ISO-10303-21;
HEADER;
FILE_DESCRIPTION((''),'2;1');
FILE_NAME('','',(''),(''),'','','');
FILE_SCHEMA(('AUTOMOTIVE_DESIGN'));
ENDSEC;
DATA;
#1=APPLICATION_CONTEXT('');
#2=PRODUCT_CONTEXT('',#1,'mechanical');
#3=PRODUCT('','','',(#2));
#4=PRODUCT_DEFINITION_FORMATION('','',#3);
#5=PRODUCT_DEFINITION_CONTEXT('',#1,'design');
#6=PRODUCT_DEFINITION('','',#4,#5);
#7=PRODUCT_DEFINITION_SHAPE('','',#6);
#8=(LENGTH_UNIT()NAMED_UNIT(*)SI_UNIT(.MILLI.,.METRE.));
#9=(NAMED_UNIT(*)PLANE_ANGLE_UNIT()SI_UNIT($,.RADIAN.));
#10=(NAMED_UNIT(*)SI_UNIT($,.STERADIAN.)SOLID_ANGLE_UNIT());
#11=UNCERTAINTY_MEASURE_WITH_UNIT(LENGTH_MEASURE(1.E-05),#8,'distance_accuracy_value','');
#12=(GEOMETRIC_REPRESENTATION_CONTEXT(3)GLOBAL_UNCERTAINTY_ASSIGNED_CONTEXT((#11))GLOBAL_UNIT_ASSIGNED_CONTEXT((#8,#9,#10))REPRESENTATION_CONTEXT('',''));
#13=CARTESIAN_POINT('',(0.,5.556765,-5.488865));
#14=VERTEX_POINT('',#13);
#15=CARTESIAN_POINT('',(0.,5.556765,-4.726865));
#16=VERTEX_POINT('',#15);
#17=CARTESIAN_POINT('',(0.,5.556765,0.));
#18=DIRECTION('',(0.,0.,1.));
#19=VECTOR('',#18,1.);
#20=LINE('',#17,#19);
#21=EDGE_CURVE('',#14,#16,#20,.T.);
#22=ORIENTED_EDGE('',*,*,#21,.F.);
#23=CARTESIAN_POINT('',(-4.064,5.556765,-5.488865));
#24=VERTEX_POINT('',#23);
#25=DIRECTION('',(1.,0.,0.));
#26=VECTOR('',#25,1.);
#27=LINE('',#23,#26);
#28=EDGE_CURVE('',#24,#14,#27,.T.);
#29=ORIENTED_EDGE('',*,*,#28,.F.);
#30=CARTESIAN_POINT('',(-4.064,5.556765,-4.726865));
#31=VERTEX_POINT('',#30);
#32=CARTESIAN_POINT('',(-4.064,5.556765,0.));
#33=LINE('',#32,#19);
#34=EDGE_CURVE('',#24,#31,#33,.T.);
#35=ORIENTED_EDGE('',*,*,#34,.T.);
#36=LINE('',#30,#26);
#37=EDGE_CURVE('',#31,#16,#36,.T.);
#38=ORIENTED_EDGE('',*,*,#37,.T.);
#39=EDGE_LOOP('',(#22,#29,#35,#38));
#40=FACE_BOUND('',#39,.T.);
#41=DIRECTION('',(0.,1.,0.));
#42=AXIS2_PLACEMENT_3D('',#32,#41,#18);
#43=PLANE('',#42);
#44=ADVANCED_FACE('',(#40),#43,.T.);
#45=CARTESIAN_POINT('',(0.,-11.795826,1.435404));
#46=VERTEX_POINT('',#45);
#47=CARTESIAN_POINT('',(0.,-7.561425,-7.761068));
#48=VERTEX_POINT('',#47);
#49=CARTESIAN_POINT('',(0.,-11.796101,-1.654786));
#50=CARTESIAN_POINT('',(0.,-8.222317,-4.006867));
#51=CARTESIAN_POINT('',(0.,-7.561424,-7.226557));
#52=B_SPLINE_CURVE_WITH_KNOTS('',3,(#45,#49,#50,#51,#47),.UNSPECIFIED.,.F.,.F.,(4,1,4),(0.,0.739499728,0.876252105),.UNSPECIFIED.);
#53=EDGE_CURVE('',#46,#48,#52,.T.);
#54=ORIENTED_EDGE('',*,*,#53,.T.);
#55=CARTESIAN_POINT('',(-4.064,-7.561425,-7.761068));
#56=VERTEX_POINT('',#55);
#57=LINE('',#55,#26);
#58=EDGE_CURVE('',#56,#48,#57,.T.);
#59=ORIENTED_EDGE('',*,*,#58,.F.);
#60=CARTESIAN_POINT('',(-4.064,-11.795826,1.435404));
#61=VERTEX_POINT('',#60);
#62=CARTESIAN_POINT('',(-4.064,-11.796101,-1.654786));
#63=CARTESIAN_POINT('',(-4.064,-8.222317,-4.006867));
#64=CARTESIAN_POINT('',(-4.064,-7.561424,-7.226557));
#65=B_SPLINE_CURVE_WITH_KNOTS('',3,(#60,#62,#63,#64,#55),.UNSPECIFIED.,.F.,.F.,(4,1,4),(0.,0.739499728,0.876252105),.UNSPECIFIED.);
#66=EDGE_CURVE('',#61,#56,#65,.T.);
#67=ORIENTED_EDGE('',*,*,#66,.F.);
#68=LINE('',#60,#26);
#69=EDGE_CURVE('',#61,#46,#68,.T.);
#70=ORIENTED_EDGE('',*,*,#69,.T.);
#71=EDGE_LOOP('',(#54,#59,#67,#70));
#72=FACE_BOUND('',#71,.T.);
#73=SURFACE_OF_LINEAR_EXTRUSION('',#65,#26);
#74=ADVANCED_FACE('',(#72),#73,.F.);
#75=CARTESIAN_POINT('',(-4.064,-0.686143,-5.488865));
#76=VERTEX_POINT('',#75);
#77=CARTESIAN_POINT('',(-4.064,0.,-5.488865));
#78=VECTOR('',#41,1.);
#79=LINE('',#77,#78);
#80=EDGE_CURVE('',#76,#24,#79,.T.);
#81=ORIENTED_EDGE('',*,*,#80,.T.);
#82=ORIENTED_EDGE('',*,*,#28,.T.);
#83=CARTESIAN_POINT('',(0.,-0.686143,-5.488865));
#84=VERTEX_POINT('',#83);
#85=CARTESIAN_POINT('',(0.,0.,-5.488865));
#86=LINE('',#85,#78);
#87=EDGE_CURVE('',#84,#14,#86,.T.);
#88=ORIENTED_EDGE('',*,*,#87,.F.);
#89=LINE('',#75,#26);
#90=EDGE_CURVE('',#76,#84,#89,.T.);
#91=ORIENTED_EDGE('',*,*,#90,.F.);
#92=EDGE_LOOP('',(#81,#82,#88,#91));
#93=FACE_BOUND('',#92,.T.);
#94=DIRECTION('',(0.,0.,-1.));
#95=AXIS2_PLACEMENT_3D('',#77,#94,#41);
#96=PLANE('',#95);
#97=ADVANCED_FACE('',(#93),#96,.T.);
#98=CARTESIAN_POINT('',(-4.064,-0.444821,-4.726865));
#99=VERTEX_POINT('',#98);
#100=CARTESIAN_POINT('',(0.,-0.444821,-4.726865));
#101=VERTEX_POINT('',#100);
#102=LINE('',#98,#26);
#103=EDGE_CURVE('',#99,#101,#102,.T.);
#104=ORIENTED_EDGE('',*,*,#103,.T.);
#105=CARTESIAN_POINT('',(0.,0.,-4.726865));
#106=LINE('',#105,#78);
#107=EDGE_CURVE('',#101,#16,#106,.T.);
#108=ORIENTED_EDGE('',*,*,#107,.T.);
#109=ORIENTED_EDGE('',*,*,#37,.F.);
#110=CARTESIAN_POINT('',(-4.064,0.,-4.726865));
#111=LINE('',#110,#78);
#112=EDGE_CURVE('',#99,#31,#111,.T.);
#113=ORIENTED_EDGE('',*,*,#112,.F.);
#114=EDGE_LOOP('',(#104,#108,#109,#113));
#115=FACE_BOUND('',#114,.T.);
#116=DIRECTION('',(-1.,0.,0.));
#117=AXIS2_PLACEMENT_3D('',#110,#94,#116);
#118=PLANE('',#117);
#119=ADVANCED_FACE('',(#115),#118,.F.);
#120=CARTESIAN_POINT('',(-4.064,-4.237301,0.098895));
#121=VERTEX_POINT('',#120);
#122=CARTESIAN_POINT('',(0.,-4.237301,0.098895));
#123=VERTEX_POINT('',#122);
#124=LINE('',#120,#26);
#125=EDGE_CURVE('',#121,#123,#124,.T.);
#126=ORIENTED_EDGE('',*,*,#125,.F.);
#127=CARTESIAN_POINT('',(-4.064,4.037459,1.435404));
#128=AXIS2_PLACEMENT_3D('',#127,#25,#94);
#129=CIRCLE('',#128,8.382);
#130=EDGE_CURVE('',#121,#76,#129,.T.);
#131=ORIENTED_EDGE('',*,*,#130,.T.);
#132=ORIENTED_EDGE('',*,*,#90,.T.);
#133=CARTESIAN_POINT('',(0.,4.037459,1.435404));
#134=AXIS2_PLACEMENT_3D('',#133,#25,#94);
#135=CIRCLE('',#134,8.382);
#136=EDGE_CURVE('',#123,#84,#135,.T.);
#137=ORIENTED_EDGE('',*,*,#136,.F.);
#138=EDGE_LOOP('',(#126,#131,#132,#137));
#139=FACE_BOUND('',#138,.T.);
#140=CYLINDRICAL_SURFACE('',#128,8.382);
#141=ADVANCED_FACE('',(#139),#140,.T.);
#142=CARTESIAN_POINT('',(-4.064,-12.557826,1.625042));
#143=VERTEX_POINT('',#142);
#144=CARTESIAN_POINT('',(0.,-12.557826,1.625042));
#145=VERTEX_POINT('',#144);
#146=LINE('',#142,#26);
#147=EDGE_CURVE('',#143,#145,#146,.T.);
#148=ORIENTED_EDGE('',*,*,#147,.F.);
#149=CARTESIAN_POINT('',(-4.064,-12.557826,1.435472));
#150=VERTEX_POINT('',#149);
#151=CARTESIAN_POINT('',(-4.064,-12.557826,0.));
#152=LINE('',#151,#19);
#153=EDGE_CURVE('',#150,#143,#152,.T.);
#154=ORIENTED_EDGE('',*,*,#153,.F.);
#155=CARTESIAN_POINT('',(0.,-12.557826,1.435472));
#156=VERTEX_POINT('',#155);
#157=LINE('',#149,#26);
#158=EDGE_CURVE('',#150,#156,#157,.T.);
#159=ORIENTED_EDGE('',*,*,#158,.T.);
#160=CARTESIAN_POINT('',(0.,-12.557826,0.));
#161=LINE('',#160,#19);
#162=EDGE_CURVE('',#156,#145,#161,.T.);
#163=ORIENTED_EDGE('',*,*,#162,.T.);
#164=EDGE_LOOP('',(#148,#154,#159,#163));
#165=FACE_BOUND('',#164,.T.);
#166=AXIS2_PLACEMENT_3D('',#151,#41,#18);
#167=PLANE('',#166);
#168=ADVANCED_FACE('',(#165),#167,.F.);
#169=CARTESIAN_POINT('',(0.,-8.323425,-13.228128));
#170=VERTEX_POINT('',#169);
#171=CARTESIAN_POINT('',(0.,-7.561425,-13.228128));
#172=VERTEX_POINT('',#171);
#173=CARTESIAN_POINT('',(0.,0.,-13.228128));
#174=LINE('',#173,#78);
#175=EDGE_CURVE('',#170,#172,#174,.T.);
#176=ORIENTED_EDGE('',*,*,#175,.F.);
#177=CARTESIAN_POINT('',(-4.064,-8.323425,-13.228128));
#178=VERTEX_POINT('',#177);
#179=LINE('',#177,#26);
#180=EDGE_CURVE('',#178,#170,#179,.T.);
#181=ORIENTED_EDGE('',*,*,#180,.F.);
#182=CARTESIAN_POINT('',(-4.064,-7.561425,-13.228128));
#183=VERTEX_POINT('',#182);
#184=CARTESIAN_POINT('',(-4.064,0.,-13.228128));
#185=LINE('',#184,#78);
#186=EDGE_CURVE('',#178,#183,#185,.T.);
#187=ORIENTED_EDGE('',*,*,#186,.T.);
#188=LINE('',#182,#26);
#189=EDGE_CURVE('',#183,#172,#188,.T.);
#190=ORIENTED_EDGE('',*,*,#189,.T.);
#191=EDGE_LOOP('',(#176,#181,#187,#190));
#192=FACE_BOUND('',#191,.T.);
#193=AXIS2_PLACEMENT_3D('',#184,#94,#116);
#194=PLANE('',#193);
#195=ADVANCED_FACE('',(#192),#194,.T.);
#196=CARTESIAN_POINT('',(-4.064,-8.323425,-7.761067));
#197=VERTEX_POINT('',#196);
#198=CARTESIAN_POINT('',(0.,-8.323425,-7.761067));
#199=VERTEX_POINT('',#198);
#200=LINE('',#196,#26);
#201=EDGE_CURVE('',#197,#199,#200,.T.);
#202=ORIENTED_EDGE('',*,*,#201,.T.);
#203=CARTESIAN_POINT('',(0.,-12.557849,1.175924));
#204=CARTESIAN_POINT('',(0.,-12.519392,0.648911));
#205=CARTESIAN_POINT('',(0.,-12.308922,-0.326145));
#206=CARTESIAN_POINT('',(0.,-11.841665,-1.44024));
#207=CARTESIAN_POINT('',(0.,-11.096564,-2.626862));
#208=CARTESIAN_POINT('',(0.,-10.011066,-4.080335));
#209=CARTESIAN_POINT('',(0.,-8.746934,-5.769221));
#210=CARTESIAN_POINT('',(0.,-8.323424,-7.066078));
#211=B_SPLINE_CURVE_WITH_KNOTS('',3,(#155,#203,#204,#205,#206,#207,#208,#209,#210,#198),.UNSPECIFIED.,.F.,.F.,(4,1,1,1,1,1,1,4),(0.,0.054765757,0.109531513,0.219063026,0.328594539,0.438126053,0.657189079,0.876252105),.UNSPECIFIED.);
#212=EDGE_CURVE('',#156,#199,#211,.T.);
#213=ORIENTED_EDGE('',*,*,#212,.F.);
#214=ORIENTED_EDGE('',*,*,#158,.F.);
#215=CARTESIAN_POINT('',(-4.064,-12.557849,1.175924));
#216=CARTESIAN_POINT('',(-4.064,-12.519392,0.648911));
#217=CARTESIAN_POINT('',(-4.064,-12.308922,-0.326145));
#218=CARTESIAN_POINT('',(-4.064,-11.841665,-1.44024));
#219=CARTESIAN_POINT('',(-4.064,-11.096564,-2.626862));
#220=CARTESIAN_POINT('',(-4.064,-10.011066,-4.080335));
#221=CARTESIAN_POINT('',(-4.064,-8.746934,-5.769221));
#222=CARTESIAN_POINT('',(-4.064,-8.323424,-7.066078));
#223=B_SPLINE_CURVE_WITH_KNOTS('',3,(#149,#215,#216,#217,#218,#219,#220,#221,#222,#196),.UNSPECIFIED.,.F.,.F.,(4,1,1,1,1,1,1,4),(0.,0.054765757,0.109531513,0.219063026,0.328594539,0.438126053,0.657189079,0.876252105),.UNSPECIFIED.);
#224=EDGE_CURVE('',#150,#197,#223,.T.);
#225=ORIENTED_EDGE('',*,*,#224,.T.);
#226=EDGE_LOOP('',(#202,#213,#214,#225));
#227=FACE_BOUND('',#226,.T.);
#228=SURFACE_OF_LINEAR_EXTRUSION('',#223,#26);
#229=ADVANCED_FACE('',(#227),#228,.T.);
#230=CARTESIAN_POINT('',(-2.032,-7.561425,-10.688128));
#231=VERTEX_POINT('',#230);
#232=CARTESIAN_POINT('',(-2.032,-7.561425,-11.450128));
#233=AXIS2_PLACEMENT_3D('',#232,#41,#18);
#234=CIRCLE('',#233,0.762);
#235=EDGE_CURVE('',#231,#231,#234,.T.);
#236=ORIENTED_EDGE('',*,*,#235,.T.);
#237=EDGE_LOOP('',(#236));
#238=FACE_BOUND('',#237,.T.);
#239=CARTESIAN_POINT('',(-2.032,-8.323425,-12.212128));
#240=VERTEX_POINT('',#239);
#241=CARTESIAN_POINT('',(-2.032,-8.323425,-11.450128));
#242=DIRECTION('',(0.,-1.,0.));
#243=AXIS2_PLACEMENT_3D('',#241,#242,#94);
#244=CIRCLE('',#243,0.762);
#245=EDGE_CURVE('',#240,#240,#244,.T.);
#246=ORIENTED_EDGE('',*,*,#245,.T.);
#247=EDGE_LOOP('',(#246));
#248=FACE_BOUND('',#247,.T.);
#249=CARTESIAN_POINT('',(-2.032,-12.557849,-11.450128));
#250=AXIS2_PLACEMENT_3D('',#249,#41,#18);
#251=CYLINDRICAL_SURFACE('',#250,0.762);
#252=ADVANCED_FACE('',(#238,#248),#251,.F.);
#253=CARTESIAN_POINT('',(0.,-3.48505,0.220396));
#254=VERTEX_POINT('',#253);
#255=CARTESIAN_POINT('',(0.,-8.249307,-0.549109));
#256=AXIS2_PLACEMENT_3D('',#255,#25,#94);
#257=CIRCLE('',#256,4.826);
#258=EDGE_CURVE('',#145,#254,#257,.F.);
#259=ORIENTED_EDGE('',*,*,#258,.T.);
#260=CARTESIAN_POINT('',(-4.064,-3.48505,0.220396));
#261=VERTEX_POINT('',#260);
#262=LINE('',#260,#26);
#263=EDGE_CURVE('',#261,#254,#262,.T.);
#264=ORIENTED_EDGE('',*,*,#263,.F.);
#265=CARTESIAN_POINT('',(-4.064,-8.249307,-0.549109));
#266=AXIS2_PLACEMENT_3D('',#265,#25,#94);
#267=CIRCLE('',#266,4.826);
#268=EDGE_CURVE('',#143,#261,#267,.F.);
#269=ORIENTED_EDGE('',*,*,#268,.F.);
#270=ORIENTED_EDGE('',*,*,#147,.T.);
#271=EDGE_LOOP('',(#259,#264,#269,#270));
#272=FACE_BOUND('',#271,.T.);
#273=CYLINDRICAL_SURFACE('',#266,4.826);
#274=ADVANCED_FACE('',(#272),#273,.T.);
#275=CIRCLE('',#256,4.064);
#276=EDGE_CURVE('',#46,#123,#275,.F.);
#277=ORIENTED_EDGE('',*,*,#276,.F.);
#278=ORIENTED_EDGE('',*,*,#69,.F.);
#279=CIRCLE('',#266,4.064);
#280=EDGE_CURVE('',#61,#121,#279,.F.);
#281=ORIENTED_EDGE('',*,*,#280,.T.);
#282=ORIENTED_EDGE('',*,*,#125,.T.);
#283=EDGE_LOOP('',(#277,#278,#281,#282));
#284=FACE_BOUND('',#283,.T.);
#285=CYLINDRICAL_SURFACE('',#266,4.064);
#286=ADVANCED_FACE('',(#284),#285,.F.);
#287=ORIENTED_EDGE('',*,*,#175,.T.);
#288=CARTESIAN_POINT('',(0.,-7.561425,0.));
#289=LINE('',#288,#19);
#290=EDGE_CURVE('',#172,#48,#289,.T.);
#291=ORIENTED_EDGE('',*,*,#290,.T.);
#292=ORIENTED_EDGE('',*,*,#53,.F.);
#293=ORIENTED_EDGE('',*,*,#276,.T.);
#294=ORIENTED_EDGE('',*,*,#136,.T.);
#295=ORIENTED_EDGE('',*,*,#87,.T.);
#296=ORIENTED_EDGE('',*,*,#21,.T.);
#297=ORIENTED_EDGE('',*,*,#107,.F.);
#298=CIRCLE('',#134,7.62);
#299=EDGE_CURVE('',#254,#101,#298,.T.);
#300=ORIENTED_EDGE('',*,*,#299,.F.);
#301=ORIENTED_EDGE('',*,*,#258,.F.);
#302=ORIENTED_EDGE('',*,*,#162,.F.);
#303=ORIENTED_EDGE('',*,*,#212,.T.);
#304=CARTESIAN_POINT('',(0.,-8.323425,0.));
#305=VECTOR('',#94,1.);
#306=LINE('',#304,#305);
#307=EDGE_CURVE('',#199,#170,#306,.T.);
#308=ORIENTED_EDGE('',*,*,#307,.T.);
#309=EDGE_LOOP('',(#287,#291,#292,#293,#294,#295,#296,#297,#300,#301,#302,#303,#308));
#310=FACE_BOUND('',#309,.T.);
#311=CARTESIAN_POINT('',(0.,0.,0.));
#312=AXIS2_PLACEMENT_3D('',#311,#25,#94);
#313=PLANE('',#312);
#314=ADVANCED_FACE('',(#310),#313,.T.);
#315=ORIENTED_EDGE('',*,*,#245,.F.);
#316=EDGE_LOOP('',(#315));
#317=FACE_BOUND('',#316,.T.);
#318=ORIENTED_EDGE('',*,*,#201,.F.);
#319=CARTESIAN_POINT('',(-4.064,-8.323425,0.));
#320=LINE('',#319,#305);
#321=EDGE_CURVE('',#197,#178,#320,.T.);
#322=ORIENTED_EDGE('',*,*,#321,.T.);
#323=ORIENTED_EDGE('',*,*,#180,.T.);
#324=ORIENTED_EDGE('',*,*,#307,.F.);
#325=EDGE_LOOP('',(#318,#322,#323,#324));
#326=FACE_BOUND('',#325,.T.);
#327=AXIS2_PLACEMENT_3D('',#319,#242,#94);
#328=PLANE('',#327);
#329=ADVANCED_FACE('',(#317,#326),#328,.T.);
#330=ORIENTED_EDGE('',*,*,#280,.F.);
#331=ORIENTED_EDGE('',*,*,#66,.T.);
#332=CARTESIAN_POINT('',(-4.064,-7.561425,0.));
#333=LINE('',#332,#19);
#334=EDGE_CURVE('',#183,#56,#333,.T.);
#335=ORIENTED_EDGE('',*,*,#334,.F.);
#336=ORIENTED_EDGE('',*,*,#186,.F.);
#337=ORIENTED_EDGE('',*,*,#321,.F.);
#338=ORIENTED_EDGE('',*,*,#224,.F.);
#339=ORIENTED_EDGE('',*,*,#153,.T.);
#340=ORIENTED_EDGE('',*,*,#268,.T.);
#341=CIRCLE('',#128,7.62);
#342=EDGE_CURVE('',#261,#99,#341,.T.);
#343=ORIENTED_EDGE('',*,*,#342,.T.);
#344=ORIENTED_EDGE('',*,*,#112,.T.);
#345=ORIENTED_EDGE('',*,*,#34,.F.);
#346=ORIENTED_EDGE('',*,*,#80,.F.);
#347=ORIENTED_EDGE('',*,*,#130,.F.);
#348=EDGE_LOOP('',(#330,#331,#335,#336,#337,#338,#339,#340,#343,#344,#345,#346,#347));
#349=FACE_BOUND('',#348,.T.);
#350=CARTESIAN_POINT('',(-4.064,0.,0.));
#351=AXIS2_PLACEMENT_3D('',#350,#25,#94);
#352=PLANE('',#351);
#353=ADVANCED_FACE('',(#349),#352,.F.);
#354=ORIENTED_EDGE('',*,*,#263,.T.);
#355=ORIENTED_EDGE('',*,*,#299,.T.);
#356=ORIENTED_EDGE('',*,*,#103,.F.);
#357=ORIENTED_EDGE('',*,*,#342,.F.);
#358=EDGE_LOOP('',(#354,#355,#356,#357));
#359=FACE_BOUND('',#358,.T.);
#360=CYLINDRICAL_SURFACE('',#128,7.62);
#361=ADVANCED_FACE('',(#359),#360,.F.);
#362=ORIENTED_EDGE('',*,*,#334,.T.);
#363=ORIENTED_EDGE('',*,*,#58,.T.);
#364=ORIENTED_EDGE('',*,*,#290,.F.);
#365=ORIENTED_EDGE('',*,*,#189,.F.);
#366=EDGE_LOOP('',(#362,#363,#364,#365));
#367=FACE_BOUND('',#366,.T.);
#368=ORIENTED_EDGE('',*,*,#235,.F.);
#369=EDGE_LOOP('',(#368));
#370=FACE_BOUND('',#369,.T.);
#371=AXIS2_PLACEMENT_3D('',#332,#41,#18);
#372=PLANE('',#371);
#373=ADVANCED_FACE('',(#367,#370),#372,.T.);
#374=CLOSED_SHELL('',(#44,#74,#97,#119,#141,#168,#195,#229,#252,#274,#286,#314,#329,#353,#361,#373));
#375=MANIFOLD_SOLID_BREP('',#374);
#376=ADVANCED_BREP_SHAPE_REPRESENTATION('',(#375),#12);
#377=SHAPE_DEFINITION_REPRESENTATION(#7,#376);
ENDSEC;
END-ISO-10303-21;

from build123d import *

# Parameters (mm, degrees)
BOSS_EXTRUDE1_DEPTH = 4.064
SKETCH2_R           = 0.762
CUT_EXTRUDE1_DEPTH  = 5.996401933


with BuildPart() as part:
    # Sketch1 → Boss-Extrude1 (new body)
    with BuildSketch(Plane(origin=(0, 0, 0), x_dir=(0, 0, -1), z_dir=(1, 0, 0))):
        with BuildLine():
            Line((4.726865031, 5.556764983), (4.726865031, -0.444820699))
            ThreePointArc((4.726865031, -0.444820699), (2.554182799, -2.454658405), (-0.22039607, -3.485050462))
            ThreePointArc((-0.22039607, -3.485050462), (-4.22007249, -7.510942511), (-1.625042246, -12.557826332))
            Line((-1.625042246, -12.557826332), (-1.435472167, -12.557826332))
            add(Edge.make_bspline(
                [(-1.435472167, -12.557826332), (-1.175924208, -12.557849399), (-0.648911083, -12.519392405), (0.32614537, -12.308921718), (1.440239513, -11.841665003), (2.626862444, -11.096563597), (4.080334858, -10.011065793), (5.769221033, -8.746934213), (7.066078237, -8.323424357), (7.761067398, -8.323424519)],
                knots=[0, 0, 0, 0, 0.054765757, 0.109531513, 0.219063026, 0.328594539, 0.438126053, 0.657189079, 0.876252105, 0.876252105, 0.876252105, 0.876252105], degree=3))
            Line((7.761067398, -8.323424519), (13.22812784, -8.323424519))
            Line((13.22812784, -8.323424519), (13.22812784, -7.561424519))
            Line((13.22812784, -7.561424519), (7.761067576, -7.561424519))
            add(Edge.make_bspline(
                [(-1.435404445, -11.795826335), (1.654785659, -11.796100971), (4.006866827, -8.222316999), (7.226557461, -7.561424394), (7.761067576, -7.561424519)],
                knots=[0, 0, 0, 0, 0.739499728, 0.876252105, 0.876252105, 0.876252105, 0.876252105], degree=3))
            ThreePointArc((-1.435404445, -11.795826335), (-3.452810626, -7.541681499), (-0.098895233, -4.237301448))
            ThreePointArc((-0.098895233, -4.237301448), (3.060460139, -3.036798555), (5.488865031, -0.686142637))
            Line((5.488865031, -0.686142637), (5.488865031, 5.556764983))
            Line((5.488865031, 5.556764983), (4.726865031, 5.556764983))
        make_face()
    extrude(amount=-BOSS_EXTRUDE1_DEPTH)

    # Sketch2 → Cut-Extrude1 (cut, through all)
    with BuildSketch(Plane(origin=(0, -7.561424519, 0), x_dir=(1, 0, 0), z_dir=(0, 1, 0))):
        with Locations((-2.032, 11.45012784)):
            Circle(SKETCH2_R)
    extrude(amount=-CUT_EXTRUDE1_DEPTH, mode=Mode.SUBTRACT)


solid = part.part
